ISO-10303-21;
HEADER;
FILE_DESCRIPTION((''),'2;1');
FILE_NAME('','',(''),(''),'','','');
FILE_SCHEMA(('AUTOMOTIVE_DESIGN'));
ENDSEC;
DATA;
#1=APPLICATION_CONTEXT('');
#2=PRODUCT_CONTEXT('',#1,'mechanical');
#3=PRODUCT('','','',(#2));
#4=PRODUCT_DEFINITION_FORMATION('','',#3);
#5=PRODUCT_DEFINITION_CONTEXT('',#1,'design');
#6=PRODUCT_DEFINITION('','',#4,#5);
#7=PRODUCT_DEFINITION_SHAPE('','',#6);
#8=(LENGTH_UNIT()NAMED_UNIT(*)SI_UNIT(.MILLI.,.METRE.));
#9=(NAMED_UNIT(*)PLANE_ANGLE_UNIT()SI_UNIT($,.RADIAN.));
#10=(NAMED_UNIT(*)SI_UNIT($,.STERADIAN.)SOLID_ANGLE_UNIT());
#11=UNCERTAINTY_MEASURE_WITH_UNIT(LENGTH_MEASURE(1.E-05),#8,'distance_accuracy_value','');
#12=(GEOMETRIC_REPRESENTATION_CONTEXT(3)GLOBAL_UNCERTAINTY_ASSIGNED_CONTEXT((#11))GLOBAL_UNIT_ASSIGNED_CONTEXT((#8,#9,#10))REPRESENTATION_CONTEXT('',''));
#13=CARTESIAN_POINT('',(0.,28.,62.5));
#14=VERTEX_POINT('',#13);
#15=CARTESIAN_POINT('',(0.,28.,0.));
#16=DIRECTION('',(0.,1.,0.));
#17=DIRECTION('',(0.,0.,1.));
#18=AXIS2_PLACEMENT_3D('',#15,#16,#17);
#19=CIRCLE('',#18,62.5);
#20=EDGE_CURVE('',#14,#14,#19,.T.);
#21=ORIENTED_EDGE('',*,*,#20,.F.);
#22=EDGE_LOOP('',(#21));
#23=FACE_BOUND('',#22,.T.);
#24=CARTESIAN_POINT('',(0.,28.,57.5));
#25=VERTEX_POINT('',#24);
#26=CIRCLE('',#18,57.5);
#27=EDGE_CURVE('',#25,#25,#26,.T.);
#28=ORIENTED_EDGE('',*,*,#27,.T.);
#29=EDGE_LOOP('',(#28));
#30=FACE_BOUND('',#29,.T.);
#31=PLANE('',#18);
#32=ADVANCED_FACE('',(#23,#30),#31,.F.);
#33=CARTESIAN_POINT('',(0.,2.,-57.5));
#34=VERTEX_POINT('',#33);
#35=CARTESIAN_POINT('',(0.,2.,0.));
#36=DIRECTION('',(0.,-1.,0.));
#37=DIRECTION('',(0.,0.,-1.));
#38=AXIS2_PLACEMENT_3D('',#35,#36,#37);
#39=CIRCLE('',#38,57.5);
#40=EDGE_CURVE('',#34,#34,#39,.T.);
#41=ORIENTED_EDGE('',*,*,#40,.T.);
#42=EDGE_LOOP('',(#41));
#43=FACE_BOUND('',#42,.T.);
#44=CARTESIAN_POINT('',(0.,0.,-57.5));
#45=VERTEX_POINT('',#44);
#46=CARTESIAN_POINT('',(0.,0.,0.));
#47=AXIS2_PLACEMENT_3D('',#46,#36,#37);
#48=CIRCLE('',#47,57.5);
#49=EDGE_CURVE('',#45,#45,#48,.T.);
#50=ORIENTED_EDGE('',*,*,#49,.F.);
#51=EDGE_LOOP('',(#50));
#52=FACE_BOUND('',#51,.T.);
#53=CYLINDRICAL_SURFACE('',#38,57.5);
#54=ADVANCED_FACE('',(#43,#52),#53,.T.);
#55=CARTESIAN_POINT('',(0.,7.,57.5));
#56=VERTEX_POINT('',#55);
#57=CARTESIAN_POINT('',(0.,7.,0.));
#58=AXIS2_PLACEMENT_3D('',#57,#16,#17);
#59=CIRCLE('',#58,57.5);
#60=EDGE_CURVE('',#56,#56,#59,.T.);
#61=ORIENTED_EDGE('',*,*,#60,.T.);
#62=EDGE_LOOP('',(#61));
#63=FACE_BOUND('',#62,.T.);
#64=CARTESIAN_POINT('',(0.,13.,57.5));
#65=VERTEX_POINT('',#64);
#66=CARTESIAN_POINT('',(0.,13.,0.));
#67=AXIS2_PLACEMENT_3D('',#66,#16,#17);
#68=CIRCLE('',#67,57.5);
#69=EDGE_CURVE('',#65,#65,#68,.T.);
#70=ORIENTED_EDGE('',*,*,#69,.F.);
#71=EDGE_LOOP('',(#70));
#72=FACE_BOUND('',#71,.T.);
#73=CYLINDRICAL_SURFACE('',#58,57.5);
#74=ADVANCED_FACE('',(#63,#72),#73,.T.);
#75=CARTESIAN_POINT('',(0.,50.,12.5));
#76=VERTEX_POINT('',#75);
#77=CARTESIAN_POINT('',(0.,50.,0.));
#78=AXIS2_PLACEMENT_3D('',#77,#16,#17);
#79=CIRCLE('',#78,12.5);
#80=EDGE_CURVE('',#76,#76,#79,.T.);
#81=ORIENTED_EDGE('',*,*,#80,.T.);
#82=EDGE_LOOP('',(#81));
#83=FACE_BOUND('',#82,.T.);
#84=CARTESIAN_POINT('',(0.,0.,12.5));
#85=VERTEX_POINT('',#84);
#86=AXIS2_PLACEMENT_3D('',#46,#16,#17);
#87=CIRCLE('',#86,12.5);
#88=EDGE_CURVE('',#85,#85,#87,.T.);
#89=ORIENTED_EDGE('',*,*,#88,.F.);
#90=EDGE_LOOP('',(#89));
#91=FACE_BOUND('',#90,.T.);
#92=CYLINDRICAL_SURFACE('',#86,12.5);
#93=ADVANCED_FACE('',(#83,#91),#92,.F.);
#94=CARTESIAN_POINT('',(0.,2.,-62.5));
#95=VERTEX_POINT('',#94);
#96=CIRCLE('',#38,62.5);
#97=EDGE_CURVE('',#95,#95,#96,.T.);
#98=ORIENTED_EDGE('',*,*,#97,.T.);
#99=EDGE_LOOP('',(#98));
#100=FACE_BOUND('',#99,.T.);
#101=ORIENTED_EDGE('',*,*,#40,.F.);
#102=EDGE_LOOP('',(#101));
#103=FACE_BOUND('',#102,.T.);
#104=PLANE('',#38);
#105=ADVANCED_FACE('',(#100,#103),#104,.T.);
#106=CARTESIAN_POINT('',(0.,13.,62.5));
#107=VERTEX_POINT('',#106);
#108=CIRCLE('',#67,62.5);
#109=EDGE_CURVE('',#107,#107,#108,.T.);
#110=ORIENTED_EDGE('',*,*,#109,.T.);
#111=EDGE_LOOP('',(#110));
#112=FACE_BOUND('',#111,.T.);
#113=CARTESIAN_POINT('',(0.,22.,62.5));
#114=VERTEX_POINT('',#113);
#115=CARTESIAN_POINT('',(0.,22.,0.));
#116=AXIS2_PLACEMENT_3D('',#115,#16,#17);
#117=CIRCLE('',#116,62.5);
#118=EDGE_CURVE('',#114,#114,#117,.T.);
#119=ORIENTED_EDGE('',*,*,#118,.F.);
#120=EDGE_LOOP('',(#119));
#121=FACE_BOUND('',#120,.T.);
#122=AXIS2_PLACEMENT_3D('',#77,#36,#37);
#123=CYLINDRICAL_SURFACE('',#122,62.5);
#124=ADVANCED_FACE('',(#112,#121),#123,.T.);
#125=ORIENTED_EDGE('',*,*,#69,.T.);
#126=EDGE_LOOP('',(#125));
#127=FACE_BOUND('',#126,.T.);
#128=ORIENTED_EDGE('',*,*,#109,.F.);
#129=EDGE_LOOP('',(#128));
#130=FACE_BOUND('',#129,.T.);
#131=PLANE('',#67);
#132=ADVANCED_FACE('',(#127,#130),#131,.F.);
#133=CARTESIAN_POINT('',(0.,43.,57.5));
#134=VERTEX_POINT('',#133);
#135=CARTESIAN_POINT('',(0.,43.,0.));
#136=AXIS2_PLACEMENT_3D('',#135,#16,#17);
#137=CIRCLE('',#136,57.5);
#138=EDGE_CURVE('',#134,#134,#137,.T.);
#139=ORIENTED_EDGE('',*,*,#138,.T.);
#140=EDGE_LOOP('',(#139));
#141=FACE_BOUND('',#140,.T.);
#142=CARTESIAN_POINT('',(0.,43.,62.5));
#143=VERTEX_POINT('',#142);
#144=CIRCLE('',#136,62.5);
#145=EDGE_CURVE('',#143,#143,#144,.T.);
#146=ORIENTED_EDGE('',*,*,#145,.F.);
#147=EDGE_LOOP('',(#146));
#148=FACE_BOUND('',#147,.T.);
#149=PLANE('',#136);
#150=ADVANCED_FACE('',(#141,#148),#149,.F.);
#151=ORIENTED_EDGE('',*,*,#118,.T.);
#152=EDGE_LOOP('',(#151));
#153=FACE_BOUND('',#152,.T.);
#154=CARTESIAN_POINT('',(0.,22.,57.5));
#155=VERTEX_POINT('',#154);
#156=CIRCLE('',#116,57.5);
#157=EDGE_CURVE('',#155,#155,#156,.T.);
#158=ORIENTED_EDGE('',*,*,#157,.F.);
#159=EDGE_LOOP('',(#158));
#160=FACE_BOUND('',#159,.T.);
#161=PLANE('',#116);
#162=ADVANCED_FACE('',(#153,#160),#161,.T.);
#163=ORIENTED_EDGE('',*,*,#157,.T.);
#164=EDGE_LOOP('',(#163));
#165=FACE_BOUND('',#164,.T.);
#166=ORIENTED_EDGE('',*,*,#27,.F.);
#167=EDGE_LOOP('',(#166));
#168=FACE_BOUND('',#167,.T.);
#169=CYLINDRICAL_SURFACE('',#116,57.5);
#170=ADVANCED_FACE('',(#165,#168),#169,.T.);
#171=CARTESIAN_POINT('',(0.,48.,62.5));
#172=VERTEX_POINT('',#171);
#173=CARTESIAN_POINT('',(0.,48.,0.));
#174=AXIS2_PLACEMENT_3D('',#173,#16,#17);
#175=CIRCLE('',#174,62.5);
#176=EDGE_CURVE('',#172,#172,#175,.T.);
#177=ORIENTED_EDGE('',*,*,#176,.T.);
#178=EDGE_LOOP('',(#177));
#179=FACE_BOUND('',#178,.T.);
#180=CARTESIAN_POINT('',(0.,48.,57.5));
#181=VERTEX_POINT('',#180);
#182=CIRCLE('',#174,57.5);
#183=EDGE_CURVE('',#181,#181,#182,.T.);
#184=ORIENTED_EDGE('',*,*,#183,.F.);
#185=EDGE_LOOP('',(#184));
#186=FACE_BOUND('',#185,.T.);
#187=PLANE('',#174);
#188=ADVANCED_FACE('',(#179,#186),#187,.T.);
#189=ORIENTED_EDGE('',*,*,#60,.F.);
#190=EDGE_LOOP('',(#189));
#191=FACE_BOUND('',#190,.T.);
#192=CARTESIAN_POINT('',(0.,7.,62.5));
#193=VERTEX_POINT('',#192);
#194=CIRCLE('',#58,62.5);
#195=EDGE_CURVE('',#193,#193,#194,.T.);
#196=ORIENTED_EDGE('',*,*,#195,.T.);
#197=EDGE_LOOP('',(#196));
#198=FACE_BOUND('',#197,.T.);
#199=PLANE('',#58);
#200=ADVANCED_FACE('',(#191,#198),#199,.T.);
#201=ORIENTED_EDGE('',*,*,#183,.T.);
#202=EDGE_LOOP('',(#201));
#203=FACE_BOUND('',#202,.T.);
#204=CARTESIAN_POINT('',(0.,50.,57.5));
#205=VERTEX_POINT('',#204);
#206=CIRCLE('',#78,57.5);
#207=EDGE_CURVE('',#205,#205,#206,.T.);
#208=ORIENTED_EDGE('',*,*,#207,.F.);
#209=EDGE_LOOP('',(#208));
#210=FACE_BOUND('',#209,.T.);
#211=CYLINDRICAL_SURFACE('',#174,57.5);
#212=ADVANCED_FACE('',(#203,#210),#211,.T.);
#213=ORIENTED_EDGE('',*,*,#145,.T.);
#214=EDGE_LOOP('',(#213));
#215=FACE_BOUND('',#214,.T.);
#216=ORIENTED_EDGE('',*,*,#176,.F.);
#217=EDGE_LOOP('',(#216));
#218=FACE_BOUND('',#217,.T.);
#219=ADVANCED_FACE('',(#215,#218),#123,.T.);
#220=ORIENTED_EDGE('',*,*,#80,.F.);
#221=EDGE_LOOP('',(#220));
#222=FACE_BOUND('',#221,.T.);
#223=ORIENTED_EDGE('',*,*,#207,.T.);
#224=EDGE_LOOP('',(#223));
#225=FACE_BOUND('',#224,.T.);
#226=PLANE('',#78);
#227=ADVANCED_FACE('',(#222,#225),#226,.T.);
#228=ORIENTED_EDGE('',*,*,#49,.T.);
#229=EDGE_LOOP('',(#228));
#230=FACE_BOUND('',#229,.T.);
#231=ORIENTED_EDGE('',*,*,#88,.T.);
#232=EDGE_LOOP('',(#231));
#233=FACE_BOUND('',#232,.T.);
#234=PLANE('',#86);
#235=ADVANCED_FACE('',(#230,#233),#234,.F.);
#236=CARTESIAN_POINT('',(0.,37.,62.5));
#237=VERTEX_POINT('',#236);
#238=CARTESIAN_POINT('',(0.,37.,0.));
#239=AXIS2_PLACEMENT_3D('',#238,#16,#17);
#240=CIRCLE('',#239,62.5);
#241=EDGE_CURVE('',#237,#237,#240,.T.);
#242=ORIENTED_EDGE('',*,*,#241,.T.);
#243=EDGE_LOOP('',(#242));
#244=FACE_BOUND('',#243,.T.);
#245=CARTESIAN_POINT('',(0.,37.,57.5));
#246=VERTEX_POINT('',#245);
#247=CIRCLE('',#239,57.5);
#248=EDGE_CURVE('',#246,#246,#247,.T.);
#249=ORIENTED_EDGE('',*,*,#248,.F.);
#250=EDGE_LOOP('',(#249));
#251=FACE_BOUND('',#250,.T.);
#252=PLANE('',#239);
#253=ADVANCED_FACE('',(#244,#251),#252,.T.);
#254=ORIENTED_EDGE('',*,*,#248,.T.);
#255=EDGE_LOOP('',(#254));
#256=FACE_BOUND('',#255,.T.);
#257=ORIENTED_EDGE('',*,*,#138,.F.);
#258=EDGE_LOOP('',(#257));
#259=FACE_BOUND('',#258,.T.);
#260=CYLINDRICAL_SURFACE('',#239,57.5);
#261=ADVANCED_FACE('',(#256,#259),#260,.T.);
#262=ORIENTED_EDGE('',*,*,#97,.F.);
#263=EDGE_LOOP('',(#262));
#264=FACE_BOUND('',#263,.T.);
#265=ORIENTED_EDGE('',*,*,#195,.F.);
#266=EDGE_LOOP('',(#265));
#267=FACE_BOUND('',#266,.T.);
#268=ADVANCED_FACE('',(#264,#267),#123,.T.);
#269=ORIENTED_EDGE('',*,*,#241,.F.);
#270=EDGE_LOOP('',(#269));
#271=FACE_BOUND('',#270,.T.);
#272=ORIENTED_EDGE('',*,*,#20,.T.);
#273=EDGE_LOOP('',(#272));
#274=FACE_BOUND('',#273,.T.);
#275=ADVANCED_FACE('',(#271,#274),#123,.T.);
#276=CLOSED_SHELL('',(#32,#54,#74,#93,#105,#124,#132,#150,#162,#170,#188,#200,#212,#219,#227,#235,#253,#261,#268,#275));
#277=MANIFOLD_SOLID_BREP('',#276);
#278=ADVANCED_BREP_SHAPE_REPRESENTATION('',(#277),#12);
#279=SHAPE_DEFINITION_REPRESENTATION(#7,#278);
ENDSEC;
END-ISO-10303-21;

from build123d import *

# Parameters (mm, degrees)
SKETCH_1_R             = 62.5
EXTRUDE_1_DEPTH        = 50
CUT_EXTRUDE_START      = -7
SKETCH_2_R             = 62.5
SKETCH_2_R_2           = 57.5
CUT_EXTRUDE_1_DEPTH    = 6
PATTERN_LINEAR_1_COUNT = 3
PATTERN_LINEAR_1_PITCH = 15
SKETCH_3_R             = 62.5
SKETCH_3_R_2           = 57.5
CUT_EXTRUDE_2_DEPTH    = 2
SKETCH_4_R             = 62.5
SKETCH_4_R_2           = 57.5
CUT_EXTRUDE_3_DEPTH    = 2
SKETCH_5_R             = 12.5
CUT_EXTRUDE_4_DEPTH    = 51


with BuildPart() as part:
    # 草图1 → 凸台-拉伸1 (new body)
    with BuildSketch(Plane(origin=(0, 0, 0), x_dir=(1, 0, 0), z_dir=(0, 1, 0))):
        Circle(SKETCH_1_R)
    extrude(amount=EXTRUDE_1_DEPTH)

    # 草图2 → 切除-拉伸1 (cut)
    with BuildSketch(Plane(origin=(0, 50, 0), x_dir=(1, 0, 0), z_dir=(0, 1, 0)).offset(CUT_EXTRUDE_START)):
        Circle(SKETCH_2_R)
        Circle(SKETCH_2_R_2, mode=Mode.SUBTRACT)
    cut_extrude_1 = extrude(amount=-CUT_EXTRUDE_1_DEPTH, mode=Mode.SUBTRACT)

    # 阵列(线性)1: 切除-拉伸1 ×3
    with Locations(*[(0, -i * PATTERN_LINEAR_1_PITCH, 0) for i in range(1, PATTERN_LINEAR_1_COUNT)]):
        add(cut_extrude_1, mode=Mode.SUBTRACT)

    # 草图3 → 切除-拉伸2 (cut)
    with BuildSketch(Plane(origin=(0, 50, 0), x_dir=(1, 0, 0), z_dir=(0, 1, 0))):
        Circle(SKETCH_3_R)
        Circle(SKETCH_3_R_2, mode=Mode.SUBTRACT)
    extrude(amount=-CUT_EXTRUDE_2_DEPTH, mode=Mode.SUBTRACT)

    # 草图4 → 切除-拉伸3 (cut)
    with BuildSketch(Plane.XZ):
        Circle(SKETCH_4_R)
        Circle(SKETCH_4_R_2, mode=Mode.SUBTRACT)
    extrude(amount=-CUT_EXTRUDE_3_DEPTH, mode=Mode.SUBTRACT)

    # 草图5 → 切除-拉伸4 (cut, through all)
    with BuildSketch(Plane(origin=(0, 50, 0), x_dir=(1, 0, 0), z_dir=(0, 1, 0))):
        Circle(SKETCH_5_R)
    extrude(amount=-CUT_EXTRUDE_4_DEPTH, mode=Mode.SUBTRACT)


solid = part.part
